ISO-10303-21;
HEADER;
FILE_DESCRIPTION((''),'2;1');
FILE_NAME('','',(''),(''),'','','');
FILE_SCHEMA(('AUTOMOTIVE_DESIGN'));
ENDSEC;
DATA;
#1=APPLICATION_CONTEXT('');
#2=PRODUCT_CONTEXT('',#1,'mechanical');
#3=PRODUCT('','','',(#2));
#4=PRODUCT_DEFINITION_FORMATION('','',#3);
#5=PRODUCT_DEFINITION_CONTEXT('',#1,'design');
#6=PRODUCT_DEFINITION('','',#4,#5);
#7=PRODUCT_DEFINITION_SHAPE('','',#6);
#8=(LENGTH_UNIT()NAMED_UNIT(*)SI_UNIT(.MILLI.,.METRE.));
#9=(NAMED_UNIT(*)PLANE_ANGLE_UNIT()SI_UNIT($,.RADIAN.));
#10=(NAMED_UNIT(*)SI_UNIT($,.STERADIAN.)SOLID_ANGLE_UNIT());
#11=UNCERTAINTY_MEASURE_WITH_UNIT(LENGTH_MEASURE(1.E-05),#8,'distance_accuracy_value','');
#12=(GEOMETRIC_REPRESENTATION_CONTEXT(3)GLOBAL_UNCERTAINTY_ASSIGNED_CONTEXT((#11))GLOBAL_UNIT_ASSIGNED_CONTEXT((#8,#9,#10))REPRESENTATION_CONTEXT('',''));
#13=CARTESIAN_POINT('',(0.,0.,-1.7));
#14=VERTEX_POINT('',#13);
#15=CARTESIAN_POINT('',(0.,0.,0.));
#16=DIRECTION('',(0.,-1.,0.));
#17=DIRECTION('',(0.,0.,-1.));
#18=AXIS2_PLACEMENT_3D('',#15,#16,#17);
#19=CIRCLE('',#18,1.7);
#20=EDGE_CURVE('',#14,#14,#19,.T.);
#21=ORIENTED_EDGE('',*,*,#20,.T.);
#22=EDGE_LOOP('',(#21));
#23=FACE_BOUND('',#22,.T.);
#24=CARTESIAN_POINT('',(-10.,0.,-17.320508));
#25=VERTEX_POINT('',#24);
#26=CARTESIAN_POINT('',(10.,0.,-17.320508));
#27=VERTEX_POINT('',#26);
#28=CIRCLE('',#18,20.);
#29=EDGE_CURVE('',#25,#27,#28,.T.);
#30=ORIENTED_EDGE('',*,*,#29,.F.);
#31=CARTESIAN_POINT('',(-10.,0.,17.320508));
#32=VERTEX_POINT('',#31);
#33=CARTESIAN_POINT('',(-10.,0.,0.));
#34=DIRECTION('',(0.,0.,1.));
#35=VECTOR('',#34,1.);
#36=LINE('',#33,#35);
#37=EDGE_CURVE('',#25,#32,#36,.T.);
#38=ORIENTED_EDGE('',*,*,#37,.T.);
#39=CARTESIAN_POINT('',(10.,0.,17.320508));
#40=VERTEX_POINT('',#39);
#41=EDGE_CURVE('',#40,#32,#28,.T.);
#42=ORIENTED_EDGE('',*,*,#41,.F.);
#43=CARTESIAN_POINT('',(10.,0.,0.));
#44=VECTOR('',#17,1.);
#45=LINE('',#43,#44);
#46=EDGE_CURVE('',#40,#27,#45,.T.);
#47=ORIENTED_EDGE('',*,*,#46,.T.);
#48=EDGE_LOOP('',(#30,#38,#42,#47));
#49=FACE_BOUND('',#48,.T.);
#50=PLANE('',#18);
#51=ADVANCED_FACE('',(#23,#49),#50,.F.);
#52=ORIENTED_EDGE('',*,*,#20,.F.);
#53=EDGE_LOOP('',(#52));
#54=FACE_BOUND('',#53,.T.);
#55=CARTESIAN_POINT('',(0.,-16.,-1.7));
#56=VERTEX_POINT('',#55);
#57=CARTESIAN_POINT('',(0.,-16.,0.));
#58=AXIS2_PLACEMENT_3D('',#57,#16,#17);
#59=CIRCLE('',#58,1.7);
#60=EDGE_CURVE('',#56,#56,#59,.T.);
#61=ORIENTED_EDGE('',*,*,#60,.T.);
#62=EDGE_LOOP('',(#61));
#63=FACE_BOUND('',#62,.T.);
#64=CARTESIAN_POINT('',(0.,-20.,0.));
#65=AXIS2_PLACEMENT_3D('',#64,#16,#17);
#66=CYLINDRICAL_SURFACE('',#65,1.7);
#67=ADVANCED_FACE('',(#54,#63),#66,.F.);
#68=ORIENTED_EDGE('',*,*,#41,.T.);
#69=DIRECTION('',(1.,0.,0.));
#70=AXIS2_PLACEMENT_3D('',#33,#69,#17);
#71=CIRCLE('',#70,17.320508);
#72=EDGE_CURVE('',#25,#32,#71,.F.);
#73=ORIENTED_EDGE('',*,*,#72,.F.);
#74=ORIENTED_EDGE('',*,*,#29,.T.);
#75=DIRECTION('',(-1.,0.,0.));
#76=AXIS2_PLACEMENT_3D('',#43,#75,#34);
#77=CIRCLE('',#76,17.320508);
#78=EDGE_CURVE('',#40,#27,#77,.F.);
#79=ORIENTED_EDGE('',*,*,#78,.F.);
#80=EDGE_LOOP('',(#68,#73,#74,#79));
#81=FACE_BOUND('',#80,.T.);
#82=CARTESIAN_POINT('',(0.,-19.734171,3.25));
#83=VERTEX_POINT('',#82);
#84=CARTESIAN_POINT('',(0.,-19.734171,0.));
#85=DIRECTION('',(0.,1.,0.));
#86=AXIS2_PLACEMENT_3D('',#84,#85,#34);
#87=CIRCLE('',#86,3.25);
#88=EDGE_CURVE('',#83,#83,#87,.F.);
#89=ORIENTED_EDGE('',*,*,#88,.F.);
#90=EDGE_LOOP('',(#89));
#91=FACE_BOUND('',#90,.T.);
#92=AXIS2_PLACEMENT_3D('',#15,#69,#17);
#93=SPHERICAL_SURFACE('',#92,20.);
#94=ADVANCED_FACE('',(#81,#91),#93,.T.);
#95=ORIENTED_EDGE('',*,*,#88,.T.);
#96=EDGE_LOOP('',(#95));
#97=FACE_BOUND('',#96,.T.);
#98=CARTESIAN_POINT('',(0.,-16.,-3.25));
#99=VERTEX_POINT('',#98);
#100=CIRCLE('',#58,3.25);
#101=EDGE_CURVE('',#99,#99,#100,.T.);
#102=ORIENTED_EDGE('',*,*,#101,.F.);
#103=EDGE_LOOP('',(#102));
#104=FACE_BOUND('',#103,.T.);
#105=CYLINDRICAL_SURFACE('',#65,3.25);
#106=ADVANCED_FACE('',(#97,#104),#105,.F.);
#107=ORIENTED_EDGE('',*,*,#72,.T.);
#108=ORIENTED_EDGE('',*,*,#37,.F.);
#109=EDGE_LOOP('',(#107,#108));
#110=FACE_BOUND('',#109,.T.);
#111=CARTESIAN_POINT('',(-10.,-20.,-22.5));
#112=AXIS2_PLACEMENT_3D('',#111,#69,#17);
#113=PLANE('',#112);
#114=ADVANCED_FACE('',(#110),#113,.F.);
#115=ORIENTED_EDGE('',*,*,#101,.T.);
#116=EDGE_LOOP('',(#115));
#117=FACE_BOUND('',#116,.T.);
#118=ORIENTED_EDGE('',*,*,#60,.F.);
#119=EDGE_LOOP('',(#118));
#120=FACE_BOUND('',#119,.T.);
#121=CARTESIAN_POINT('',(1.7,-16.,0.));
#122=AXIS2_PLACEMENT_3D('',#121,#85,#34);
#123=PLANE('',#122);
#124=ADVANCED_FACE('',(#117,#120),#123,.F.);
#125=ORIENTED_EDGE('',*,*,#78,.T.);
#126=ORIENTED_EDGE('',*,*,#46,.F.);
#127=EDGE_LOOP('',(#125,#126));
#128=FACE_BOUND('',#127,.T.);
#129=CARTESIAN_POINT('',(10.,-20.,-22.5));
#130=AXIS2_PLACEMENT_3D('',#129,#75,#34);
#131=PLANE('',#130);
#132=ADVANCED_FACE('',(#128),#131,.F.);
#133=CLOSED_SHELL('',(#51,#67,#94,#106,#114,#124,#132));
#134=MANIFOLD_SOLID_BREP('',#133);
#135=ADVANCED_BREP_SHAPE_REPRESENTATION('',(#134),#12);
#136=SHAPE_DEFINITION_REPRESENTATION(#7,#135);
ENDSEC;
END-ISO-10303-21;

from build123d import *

# Parameters (mm, degrees)
REVOLVE1_ANGLE                 = 180
SKETCH2_W                      = 20
SKETCH2_H                      = 45
CUT_EXTRUDE1_DEPTH             = 35.641016151
CBORE_FOR_M3_SHCS1_D           = 3.4
CBORE_FOR_M3_SHCS1_CBORE_D     = 6.5
CBORE_FOR_M3_SHCS1_CBORE_DEPTH = 4


with BuildPart() as part:
    # Sketch1 → Revolve1 (revolve)
    with BuildSketch(Plane(origin=(0, 0, 0), x_dir=(1, 0, 0), z_dir=(0, 1, 0))):
        with BuildLine():
            Line((20, 0), (-20, 0))
            ThreePointArc((-20, 0), (0, 20), (20, 0))
        make_face()
    revolve(axis=Axis((20, 0, 0), (-1, 0, 0)), revolution_arc=REVOLVE1_ANGLE)

    # Sketch2 → Cut-Extrude1 (cut, through all)
    with BuildSketch(Plane(origin=(0, 0, 0), x_dir=(1, 0, 0), z_dir=(0, 1, 0))):
        with Locations((-20, 0)):
            Rectangle(SKETCH2_W, SKETCH2_H)
        with Locations((20, 0)):
            Rectangle(SKETCH2_W, SKETCH2_H)
    extrude(amount=-CUT_EXTRUDE1_DEPTH, mode=Mode.SUBTRACT)

    # CBORE for M3 SHCS1 (through all)
    with Locations(Plane(origin=(0, -20, 0), x_dir=(0, 0, -1), z_dir=(0, -1, 0))):
        with Locations((0, 0)):
            CounterBoreHole(CBORE_FOR_M3_SHCS1_D / 2, CBORE_FOR_M3_SHCS1_CBORE_D / 2, CBORE_FOR_M3_SHCS1_CBORE_DEPTH)


solid = part.part
